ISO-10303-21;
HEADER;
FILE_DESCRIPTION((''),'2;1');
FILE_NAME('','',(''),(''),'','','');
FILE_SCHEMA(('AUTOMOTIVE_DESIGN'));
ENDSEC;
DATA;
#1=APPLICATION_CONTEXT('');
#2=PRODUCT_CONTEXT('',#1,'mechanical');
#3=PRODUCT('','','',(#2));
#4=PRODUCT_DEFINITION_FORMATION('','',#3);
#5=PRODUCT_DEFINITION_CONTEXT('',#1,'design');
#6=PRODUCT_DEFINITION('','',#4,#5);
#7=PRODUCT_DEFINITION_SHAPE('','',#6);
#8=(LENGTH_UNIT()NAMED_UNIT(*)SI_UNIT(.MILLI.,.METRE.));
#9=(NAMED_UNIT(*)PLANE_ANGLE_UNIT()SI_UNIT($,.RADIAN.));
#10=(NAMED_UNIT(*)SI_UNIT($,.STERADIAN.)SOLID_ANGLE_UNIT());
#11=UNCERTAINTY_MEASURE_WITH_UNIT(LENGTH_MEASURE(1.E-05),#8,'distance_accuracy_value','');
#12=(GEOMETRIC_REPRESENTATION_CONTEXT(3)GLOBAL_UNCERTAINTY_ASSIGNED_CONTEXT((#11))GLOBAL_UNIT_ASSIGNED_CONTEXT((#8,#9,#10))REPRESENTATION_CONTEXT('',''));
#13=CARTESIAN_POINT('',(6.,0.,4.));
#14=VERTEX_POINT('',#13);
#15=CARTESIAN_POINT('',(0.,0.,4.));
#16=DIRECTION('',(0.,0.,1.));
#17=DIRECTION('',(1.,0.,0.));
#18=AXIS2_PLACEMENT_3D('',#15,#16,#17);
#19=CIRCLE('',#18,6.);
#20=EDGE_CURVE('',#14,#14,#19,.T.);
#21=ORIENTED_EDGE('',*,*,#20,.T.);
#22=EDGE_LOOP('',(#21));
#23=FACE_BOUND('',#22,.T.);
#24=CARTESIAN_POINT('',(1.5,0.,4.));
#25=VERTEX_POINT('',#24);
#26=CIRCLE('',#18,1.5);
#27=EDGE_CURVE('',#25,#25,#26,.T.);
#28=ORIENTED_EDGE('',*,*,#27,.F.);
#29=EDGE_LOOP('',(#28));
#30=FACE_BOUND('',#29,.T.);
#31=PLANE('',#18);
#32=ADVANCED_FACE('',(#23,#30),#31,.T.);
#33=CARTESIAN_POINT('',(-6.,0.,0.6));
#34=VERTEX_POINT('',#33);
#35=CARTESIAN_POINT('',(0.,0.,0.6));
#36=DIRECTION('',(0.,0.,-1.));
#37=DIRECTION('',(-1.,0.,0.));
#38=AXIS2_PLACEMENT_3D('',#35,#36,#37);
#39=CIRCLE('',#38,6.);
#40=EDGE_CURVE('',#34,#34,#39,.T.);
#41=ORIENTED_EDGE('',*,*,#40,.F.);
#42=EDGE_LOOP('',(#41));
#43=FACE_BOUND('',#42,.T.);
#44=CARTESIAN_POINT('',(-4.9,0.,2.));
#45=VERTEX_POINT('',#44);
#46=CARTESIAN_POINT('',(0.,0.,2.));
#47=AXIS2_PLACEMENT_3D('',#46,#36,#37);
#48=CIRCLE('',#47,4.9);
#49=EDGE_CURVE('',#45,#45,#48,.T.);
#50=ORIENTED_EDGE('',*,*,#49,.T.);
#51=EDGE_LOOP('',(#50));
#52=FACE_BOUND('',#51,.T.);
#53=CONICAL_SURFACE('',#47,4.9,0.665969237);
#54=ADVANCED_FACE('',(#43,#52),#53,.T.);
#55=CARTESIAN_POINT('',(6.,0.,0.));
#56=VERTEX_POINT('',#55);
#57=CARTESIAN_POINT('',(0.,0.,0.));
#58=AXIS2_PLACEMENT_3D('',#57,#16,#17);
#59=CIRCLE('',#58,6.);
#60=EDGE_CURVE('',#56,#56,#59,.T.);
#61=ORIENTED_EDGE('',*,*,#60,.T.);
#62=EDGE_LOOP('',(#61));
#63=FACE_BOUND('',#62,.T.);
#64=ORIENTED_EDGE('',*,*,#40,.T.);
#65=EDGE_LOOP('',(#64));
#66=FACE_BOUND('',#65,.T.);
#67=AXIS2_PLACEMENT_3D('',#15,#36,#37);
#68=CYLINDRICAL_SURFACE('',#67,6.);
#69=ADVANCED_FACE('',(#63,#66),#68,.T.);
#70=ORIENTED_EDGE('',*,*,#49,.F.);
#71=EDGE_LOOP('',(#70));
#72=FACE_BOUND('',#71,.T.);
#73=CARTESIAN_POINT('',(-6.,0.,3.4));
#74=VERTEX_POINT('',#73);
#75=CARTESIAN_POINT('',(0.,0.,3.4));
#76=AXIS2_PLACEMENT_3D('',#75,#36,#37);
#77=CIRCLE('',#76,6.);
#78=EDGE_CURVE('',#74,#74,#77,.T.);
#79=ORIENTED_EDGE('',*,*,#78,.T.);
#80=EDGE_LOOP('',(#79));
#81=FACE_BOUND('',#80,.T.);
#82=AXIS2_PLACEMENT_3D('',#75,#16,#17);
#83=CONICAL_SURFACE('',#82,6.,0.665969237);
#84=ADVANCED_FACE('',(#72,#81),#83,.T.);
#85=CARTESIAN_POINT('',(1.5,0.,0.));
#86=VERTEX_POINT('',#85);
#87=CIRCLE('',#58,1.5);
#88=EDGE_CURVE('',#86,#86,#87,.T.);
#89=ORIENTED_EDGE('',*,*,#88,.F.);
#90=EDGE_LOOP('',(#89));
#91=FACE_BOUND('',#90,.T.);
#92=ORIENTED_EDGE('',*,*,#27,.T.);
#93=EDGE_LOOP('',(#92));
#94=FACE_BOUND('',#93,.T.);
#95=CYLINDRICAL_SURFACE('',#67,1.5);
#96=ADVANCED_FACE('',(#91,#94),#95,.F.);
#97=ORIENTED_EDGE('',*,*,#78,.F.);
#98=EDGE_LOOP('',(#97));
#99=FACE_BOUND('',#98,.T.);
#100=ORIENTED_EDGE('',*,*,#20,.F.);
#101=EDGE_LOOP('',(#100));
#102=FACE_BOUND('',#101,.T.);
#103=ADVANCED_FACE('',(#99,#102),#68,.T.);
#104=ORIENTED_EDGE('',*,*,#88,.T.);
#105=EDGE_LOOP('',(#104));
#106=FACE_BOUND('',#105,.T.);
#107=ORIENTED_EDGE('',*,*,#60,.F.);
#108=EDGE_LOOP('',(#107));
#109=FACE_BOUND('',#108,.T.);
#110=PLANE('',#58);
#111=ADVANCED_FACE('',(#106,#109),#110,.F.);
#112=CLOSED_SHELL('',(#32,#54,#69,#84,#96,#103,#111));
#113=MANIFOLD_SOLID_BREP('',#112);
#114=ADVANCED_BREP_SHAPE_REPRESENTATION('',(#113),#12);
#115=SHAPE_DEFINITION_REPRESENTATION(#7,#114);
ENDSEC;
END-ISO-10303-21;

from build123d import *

# Parameters (mm, degrees)
SKETCH_1_R      = 6
SKETCH_1_R_2    = 1.5
EXTRUDE_1_DEPTH = 4


with BuildPart() as part:
    # 草图1 → 凸台-拉伸1 (new body)
    with BuildSketch(Plane.XY):
        Circle(SKETCH_1_R)
        Circle(SKETCH_1_R_2, mode=Mode.SUBTRACT)
    extrude(amount=EXTRUDE_1_DEPTH)

    # 草图2 → 切除-旋转1 (revolve, cut)
    with BuildSketch(Plane(origin=(0, 0, 0), x_dir=(0, 0, -1), z_dir=(1, 0, 0)), mode=Mode.PRIVATE) as cut_revolve_1_sk:
        Polygon((-3.4, 6), (-2, 4.9), (-0.6, 6), align=None)
    revolve(cut_revolve_1_sk.sketch.rotate(Axis((0, 0, 0), (0, 0, 1)), 90), axis=Axis((0, 0, 0), (0, 0, 1)), mode=Mode.SUBTRACT)


solid = part.part
